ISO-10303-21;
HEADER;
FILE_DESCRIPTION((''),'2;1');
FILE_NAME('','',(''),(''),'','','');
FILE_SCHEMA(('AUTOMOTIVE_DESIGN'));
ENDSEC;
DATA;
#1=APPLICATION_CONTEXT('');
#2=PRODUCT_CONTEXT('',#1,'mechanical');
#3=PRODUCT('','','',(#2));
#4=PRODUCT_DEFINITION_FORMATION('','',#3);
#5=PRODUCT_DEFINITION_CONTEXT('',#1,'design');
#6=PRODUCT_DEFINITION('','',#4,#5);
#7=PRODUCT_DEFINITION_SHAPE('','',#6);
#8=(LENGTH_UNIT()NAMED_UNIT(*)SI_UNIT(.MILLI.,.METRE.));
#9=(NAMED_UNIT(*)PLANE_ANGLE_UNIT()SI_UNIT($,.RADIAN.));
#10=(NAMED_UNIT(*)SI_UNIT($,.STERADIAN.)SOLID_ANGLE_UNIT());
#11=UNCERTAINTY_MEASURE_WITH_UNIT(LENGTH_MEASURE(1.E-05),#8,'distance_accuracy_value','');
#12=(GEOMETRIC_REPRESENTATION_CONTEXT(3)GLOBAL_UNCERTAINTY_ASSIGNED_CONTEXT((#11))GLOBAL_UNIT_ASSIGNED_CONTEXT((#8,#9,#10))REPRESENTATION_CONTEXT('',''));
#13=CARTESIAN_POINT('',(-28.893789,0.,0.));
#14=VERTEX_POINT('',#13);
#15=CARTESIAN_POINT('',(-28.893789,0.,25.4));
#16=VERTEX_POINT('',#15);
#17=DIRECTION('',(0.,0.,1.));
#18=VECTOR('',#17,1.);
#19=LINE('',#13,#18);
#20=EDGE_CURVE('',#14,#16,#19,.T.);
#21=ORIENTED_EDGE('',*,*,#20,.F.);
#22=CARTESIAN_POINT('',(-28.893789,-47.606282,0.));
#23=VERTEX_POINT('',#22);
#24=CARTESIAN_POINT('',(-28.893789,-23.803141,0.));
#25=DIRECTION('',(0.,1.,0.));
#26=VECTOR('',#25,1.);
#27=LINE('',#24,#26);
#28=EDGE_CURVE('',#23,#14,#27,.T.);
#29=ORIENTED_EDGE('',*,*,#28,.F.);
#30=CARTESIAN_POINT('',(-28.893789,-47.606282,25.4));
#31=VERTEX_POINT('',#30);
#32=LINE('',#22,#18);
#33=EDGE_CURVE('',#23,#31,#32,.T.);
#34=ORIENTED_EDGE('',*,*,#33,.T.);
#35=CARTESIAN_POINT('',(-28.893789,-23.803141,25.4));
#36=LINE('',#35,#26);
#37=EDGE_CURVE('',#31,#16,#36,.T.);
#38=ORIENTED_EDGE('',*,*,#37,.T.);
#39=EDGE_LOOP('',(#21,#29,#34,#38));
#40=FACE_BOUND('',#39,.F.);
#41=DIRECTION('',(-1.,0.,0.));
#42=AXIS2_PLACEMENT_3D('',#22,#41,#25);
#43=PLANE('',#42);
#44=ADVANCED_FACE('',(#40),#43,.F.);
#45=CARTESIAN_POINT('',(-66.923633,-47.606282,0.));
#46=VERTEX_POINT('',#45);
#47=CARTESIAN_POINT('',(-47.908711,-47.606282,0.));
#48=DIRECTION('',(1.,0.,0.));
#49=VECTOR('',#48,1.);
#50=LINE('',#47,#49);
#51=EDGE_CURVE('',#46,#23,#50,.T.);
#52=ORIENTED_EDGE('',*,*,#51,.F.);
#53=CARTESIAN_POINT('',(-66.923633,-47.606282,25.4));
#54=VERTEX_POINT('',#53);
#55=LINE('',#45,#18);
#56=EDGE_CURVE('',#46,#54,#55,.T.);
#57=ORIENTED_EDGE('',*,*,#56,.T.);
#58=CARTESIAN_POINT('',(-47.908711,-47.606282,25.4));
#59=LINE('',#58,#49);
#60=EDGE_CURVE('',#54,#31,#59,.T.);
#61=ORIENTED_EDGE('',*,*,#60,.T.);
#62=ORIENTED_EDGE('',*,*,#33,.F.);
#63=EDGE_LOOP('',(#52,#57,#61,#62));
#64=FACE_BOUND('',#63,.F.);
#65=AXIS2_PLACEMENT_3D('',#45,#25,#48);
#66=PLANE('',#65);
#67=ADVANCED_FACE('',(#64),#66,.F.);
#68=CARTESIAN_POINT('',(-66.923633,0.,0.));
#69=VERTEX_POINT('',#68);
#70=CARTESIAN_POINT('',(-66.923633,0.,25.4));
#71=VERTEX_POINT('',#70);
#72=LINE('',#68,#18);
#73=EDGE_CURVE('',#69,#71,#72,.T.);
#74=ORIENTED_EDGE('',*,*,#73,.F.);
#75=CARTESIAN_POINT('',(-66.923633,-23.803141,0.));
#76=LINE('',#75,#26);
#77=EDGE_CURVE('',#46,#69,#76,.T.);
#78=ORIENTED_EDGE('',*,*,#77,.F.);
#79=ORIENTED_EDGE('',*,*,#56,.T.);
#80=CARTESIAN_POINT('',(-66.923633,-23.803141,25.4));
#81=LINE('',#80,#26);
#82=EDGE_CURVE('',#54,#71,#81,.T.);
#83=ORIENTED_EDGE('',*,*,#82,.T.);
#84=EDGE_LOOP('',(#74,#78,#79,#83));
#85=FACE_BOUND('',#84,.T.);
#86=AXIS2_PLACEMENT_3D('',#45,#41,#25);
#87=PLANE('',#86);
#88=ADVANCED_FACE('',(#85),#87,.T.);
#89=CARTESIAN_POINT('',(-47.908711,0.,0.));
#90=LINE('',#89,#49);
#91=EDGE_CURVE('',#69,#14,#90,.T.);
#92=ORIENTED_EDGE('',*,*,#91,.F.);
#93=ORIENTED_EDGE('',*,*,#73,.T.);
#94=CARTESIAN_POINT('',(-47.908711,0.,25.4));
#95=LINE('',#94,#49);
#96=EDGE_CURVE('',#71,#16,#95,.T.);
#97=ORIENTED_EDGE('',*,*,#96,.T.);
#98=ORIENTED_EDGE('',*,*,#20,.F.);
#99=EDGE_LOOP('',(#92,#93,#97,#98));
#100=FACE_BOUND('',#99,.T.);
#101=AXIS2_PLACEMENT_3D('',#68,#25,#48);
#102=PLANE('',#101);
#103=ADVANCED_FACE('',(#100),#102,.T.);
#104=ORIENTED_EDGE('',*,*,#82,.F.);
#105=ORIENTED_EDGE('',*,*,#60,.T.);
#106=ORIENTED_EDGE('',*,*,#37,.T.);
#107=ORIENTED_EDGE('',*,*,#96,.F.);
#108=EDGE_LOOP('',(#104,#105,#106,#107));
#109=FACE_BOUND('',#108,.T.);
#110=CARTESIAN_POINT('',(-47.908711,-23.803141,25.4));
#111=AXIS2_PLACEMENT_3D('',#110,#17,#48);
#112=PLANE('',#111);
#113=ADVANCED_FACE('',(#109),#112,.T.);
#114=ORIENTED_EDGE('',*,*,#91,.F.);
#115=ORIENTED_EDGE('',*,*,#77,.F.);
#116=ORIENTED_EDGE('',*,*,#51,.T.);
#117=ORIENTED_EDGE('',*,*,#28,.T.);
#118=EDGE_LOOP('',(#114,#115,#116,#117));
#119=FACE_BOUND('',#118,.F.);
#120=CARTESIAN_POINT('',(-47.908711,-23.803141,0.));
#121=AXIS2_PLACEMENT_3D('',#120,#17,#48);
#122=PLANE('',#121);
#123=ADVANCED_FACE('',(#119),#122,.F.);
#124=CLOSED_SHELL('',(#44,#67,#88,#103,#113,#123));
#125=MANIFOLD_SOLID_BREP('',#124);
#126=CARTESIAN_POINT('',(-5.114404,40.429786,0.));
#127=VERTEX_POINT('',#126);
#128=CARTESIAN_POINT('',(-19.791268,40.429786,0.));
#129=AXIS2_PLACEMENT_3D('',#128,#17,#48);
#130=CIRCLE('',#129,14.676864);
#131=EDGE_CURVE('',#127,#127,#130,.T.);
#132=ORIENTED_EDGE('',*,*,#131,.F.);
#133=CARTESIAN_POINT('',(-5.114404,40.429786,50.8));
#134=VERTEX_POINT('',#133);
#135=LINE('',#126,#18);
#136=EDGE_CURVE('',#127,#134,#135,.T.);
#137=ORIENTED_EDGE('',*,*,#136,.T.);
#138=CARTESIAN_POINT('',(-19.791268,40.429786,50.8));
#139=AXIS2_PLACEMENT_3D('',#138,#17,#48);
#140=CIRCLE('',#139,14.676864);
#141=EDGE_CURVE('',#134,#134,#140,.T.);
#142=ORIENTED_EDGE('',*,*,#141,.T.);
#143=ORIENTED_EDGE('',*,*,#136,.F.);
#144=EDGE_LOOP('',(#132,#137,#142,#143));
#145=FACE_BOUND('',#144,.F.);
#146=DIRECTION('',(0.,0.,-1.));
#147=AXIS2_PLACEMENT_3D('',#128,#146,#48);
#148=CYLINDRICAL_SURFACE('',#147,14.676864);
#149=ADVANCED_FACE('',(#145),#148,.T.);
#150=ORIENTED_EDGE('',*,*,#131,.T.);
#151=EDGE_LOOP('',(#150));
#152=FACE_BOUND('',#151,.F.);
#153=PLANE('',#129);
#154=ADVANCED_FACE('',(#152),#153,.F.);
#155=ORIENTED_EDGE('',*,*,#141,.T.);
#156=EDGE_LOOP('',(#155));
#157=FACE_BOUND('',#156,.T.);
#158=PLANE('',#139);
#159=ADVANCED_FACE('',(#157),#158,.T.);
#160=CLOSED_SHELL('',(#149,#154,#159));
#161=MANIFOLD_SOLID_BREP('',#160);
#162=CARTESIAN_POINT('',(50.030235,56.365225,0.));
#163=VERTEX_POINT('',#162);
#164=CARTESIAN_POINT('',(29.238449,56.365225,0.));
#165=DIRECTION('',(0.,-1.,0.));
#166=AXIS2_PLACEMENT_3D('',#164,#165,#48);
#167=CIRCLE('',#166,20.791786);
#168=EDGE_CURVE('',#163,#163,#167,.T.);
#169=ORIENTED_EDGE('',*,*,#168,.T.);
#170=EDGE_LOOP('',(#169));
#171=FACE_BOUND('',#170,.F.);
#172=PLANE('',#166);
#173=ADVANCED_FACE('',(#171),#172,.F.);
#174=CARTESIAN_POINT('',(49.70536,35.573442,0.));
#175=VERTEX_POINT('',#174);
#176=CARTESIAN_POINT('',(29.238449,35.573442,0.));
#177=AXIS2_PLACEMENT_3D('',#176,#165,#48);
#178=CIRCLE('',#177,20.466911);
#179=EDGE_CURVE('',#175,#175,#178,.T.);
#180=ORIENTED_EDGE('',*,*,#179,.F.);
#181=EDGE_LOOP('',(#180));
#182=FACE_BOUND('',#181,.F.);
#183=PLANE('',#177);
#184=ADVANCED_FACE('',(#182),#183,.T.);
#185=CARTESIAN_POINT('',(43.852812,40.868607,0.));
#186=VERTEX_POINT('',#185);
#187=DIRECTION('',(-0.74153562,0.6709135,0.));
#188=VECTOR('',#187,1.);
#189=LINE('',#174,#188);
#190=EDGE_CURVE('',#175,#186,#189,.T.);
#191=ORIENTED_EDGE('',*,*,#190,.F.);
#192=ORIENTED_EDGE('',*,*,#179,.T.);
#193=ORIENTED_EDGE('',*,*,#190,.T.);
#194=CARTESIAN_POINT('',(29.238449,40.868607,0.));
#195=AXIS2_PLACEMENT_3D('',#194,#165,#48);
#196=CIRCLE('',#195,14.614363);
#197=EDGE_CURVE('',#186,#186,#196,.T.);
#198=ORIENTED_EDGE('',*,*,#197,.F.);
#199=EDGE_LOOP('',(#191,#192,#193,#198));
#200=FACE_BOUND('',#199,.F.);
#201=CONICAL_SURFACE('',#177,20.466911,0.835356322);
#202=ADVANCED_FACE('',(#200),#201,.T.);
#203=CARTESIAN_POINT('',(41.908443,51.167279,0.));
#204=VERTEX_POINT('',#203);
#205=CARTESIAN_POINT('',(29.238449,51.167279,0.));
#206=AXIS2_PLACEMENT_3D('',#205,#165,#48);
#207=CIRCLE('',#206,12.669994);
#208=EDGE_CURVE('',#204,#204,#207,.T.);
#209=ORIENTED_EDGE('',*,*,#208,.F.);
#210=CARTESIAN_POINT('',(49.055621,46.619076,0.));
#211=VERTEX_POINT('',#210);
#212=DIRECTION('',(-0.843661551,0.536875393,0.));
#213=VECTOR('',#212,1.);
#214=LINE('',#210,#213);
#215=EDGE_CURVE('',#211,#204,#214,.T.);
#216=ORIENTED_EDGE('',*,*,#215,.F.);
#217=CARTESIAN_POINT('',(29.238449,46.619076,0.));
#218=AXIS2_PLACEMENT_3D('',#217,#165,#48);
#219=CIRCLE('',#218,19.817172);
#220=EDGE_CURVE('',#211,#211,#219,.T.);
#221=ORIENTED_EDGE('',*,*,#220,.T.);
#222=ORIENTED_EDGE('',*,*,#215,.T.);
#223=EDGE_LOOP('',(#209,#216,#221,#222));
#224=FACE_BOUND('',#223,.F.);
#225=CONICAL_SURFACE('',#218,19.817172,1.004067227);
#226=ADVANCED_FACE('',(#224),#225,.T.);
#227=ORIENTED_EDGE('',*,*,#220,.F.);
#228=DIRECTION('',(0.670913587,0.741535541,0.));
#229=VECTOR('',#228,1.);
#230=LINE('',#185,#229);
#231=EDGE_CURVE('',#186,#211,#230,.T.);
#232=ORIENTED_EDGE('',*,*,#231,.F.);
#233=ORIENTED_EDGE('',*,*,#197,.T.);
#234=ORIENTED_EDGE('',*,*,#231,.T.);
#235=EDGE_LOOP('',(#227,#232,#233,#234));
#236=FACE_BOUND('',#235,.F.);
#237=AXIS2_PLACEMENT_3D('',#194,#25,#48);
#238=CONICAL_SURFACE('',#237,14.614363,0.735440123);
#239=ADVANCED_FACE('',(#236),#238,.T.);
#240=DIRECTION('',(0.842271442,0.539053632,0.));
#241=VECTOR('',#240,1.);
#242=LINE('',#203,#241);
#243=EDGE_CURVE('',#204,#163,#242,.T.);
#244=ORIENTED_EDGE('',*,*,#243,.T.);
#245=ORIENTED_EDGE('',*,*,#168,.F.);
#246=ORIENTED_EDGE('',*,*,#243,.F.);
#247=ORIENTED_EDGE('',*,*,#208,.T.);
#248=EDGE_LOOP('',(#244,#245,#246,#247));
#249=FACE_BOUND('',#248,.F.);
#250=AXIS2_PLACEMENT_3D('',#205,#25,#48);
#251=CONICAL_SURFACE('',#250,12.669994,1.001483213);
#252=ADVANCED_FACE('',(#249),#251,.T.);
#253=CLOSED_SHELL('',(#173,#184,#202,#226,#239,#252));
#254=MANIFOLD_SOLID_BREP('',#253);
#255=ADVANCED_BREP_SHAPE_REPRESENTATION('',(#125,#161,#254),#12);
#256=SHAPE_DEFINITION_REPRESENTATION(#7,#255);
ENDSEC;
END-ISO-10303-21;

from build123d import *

# Parameters (mm, degrees)
F0_W     = 38.029844
F0_H     = 47.606282
F1_DEPTH = 25.4
F2_R     = 14.676864
F3_DEPTH = 50.8


with BuildPart() as f1:
    # F0 (on Top) → F1 (new body)
    with BuildSketch(Plane.XY):
        with Locations((-47.908711, -23.803141)):
            Rectangle(F0_W, F0_H)
    extrude(amount=F1_DEPTH)


with BuildPart() as f3:
    # F2 (on Top) → F3 (new body)
    with BuildSketch(Plane.XY):
        with Locations((-19.791268, 40.429786)):
            Circle(F2_R)
    extrude(amount=F3_DEPTH)


with BuildPart() as f5:
    # F4 (on Top) → F5 (revolve)
    with BuildSketch(Plane.XY):
        Polygon((41.908443, 51.167279), (50.030235, 56.365225), (29.238449, 56.365225), (29.238449, 35.573442), (49.70536, 35.573442), (43.852812, 40.868607), (49.055621, 46.619076), align=None)
    revolve(axis=Axis((29.238449, 45.969333, 0), (0, -1, 0)))


solid = Compound([f1.part, f3.part, f5.part])
